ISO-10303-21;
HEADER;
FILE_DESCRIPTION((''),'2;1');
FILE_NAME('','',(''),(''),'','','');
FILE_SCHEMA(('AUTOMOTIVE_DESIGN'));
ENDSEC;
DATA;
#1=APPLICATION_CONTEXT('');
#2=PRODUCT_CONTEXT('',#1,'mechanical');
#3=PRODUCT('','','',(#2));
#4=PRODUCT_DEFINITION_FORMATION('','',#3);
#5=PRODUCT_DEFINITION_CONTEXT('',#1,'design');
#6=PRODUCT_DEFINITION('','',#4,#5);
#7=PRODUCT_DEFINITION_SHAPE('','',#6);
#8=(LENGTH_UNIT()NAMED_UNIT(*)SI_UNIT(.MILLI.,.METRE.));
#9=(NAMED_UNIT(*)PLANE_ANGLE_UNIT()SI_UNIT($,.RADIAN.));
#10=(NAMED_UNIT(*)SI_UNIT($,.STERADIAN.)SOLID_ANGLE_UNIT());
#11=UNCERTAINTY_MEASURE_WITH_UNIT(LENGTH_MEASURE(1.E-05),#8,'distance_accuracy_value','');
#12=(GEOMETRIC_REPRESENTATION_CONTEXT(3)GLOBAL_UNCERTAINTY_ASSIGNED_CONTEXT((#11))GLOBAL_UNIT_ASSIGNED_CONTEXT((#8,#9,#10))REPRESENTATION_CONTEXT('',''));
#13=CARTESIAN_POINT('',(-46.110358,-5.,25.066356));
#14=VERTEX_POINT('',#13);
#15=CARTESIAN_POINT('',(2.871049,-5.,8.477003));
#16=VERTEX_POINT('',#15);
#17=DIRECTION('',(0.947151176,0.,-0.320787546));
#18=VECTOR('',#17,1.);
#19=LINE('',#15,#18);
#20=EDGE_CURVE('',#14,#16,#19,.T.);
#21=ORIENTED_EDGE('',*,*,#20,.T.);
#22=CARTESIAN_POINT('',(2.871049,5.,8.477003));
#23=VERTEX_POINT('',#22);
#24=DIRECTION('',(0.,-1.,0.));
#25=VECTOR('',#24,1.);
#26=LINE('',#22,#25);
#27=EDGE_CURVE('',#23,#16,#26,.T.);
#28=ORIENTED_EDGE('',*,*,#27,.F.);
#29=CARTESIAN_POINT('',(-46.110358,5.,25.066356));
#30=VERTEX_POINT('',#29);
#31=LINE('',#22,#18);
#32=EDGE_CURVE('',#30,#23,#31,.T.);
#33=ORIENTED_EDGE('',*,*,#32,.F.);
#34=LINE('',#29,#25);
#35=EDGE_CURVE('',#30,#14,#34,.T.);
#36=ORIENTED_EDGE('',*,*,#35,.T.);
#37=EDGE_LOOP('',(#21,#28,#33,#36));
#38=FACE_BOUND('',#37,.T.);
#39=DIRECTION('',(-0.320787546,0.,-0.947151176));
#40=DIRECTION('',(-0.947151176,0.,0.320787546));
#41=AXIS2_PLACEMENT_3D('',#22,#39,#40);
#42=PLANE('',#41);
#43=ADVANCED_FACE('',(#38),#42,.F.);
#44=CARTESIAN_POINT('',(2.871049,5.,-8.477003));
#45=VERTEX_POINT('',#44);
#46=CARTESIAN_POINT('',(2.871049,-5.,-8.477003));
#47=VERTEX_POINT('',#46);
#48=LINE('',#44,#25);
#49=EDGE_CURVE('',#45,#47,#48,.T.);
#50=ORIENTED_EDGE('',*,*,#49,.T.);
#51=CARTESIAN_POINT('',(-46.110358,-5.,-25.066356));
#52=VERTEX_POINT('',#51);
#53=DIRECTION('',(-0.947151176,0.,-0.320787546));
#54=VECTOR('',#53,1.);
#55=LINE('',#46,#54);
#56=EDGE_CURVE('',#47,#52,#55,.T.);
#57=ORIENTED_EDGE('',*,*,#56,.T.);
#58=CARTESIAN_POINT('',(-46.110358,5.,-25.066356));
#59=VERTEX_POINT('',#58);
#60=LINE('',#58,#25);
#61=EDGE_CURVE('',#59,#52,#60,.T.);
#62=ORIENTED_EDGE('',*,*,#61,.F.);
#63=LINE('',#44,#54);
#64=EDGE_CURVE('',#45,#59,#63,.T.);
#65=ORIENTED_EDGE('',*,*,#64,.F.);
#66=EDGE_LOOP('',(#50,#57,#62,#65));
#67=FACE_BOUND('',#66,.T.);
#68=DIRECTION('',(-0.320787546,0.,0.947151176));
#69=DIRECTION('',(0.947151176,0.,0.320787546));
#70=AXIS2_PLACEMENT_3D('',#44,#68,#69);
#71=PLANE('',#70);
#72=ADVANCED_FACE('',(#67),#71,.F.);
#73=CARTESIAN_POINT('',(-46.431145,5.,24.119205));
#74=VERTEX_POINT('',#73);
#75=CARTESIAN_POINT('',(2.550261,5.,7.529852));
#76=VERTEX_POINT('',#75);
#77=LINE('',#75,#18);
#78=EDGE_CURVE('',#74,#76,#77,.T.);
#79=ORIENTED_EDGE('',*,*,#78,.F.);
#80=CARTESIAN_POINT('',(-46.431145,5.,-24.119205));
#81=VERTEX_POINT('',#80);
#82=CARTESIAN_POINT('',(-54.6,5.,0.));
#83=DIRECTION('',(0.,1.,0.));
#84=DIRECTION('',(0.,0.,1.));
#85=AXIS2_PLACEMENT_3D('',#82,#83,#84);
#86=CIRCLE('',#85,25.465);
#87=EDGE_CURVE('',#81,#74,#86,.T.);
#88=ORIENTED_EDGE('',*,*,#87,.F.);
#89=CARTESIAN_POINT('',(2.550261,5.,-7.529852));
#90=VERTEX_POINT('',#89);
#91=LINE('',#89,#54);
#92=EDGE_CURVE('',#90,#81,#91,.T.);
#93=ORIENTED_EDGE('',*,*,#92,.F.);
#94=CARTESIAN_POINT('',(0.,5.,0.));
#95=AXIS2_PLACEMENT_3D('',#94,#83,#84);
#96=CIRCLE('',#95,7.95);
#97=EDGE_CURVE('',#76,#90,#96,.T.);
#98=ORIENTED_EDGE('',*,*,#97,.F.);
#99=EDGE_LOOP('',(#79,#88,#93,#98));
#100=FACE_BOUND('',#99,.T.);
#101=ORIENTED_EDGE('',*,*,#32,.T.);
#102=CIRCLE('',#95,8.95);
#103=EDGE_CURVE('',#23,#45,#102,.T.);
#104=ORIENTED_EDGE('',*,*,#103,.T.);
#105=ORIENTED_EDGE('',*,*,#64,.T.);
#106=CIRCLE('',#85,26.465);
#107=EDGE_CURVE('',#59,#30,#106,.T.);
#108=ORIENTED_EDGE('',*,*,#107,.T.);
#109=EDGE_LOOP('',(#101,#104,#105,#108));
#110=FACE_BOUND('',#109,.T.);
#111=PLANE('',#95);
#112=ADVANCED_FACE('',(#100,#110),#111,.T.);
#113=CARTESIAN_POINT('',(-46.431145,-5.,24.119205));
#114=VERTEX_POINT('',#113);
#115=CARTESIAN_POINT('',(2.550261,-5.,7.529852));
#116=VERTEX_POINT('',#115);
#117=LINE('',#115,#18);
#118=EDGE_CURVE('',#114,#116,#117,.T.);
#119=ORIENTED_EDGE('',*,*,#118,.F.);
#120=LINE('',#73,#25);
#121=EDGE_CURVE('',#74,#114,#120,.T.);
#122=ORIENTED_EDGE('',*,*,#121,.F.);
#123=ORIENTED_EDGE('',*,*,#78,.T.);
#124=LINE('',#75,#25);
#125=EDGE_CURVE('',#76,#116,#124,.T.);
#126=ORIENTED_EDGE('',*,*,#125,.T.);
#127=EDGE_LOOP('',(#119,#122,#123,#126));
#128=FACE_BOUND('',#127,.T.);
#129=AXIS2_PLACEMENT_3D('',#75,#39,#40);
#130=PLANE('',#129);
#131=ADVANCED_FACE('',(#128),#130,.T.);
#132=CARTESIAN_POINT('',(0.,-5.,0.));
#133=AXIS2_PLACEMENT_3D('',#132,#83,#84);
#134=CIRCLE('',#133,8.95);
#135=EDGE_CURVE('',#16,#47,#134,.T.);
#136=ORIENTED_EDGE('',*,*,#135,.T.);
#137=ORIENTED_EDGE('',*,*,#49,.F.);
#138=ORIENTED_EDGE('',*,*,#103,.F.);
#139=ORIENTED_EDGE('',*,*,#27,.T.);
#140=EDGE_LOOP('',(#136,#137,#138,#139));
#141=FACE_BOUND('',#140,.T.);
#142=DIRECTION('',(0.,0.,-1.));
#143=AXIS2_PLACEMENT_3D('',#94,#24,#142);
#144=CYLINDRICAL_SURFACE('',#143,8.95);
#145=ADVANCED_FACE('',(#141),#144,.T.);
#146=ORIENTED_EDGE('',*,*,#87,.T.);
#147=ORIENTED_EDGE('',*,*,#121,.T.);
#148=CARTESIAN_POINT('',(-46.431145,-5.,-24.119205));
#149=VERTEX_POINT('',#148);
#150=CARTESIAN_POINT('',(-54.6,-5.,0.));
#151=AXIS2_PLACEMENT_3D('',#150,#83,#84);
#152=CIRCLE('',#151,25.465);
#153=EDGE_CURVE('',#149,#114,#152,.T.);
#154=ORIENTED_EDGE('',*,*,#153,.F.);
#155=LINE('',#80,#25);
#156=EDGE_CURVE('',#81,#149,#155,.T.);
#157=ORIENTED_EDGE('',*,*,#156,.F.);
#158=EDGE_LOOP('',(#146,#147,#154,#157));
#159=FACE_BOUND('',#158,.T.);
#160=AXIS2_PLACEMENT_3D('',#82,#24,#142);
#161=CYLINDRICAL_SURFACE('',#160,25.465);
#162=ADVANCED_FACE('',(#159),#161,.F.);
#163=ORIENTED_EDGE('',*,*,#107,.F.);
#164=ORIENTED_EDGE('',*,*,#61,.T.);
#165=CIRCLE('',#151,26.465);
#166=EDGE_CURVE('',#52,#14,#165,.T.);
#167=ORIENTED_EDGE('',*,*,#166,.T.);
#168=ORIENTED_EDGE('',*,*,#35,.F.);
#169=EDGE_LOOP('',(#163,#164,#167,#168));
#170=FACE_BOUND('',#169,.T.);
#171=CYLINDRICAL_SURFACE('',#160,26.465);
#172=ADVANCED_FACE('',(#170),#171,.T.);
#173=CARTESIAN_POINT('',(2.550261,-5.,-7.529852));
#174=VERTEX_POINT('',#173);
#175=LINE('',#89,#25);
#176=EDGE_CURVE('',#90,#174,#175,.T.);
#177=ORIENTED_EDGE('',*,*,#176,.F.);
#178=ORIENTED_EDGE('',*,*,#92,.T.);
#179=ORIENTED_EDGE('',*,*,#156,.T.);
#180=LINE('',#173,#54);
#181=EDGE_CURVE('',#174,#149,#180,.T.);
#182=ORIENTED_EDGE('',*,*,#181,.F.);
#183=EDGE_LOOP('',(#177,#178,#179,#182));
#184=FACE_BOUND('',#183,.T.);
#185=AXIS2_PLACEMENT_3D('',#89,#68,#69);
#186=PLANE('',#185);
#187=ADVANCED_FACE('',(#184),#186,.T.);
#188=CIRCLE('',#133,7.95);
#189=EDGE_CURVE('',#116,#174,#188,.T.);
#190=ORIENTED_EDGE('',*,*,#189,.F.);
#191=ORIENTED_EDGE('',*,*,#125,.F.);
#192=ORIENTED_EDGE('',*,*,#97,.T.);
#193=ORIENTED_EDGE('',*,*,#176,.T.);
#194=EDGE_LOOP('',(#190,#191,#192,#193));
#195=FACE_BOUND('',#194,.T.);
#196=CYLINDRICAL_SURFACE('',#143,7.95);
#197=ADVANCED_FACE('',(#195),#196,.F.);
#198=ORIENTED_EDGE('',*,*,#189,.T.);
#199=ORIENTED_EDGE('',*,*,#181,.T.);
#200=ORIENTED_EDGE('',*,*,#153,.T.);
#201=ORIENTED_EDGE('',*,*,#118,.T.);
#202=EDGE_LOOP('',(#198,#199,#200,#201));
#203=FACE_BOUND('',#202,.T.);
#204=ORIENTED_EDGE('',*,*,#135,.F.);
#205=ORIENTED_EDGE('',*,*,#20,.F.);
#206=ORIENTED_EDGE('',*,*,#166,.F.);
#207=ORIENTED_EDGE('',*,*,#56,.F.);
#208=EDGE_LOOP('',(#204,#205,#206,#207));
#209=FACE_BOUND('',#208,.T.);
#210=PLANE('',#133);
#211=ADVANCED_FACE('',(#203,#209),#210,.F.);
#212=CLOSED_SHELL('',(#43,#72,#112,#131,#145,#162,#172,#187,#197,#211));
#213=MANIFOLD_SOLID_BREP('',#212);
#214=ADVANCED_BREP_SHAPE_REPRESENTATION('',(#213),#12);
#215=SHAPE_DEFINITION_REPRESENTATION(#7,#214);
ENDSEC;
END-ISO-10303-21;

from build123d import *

# Parameters (mm, degrees)
SALIENTE_EXTRUIR1_DEPTH = 5


with BuildPart() as part:
    # Croquis1 → Saliente-Extruir1 (new, symmetric)
    with BuildSketch(Plane(origin=(0, 0, 0), x_dir=(-1, 0, 0), z_dir=(0, 1, 0))):
        with BuildLine():
            Line((-2.871048535, 8.477003026), (46.110357601, 25.066355877))
            ThreePointArc((46.110357601, 25.066355877), (81.065, 0), (46.110357601, -25.066355877))
            Line((46.110357601, -25.066355877), (-2.871048535, -8.477003026))
            ThreePointArc((-2.871048535, -8.477003026), (-8.95, 0), (-2.871048535, 8.477003026))
        make_face()
        with BuildLine():
            Line((-2.550260989, 7.52985185), (46.431145147, 24.1192047))
            ThreePointArc((46.431145147, 24.1192047), (80.065, 0), (46.431145147, -24.1192047))
            Line((46.431145147, -24.1192047), (-2.550260989, -7.52985185))
            ThreePointArc((-2.550260989, -7.52985185), (-7.95, 0), (-2.550260989, 7.52985185))
        make_face(mode=Mode.SUBTRACT)
    extrude(amount=SALIENTE_EXTRUIR1_DEPTH, both=True)


solid = part.part
